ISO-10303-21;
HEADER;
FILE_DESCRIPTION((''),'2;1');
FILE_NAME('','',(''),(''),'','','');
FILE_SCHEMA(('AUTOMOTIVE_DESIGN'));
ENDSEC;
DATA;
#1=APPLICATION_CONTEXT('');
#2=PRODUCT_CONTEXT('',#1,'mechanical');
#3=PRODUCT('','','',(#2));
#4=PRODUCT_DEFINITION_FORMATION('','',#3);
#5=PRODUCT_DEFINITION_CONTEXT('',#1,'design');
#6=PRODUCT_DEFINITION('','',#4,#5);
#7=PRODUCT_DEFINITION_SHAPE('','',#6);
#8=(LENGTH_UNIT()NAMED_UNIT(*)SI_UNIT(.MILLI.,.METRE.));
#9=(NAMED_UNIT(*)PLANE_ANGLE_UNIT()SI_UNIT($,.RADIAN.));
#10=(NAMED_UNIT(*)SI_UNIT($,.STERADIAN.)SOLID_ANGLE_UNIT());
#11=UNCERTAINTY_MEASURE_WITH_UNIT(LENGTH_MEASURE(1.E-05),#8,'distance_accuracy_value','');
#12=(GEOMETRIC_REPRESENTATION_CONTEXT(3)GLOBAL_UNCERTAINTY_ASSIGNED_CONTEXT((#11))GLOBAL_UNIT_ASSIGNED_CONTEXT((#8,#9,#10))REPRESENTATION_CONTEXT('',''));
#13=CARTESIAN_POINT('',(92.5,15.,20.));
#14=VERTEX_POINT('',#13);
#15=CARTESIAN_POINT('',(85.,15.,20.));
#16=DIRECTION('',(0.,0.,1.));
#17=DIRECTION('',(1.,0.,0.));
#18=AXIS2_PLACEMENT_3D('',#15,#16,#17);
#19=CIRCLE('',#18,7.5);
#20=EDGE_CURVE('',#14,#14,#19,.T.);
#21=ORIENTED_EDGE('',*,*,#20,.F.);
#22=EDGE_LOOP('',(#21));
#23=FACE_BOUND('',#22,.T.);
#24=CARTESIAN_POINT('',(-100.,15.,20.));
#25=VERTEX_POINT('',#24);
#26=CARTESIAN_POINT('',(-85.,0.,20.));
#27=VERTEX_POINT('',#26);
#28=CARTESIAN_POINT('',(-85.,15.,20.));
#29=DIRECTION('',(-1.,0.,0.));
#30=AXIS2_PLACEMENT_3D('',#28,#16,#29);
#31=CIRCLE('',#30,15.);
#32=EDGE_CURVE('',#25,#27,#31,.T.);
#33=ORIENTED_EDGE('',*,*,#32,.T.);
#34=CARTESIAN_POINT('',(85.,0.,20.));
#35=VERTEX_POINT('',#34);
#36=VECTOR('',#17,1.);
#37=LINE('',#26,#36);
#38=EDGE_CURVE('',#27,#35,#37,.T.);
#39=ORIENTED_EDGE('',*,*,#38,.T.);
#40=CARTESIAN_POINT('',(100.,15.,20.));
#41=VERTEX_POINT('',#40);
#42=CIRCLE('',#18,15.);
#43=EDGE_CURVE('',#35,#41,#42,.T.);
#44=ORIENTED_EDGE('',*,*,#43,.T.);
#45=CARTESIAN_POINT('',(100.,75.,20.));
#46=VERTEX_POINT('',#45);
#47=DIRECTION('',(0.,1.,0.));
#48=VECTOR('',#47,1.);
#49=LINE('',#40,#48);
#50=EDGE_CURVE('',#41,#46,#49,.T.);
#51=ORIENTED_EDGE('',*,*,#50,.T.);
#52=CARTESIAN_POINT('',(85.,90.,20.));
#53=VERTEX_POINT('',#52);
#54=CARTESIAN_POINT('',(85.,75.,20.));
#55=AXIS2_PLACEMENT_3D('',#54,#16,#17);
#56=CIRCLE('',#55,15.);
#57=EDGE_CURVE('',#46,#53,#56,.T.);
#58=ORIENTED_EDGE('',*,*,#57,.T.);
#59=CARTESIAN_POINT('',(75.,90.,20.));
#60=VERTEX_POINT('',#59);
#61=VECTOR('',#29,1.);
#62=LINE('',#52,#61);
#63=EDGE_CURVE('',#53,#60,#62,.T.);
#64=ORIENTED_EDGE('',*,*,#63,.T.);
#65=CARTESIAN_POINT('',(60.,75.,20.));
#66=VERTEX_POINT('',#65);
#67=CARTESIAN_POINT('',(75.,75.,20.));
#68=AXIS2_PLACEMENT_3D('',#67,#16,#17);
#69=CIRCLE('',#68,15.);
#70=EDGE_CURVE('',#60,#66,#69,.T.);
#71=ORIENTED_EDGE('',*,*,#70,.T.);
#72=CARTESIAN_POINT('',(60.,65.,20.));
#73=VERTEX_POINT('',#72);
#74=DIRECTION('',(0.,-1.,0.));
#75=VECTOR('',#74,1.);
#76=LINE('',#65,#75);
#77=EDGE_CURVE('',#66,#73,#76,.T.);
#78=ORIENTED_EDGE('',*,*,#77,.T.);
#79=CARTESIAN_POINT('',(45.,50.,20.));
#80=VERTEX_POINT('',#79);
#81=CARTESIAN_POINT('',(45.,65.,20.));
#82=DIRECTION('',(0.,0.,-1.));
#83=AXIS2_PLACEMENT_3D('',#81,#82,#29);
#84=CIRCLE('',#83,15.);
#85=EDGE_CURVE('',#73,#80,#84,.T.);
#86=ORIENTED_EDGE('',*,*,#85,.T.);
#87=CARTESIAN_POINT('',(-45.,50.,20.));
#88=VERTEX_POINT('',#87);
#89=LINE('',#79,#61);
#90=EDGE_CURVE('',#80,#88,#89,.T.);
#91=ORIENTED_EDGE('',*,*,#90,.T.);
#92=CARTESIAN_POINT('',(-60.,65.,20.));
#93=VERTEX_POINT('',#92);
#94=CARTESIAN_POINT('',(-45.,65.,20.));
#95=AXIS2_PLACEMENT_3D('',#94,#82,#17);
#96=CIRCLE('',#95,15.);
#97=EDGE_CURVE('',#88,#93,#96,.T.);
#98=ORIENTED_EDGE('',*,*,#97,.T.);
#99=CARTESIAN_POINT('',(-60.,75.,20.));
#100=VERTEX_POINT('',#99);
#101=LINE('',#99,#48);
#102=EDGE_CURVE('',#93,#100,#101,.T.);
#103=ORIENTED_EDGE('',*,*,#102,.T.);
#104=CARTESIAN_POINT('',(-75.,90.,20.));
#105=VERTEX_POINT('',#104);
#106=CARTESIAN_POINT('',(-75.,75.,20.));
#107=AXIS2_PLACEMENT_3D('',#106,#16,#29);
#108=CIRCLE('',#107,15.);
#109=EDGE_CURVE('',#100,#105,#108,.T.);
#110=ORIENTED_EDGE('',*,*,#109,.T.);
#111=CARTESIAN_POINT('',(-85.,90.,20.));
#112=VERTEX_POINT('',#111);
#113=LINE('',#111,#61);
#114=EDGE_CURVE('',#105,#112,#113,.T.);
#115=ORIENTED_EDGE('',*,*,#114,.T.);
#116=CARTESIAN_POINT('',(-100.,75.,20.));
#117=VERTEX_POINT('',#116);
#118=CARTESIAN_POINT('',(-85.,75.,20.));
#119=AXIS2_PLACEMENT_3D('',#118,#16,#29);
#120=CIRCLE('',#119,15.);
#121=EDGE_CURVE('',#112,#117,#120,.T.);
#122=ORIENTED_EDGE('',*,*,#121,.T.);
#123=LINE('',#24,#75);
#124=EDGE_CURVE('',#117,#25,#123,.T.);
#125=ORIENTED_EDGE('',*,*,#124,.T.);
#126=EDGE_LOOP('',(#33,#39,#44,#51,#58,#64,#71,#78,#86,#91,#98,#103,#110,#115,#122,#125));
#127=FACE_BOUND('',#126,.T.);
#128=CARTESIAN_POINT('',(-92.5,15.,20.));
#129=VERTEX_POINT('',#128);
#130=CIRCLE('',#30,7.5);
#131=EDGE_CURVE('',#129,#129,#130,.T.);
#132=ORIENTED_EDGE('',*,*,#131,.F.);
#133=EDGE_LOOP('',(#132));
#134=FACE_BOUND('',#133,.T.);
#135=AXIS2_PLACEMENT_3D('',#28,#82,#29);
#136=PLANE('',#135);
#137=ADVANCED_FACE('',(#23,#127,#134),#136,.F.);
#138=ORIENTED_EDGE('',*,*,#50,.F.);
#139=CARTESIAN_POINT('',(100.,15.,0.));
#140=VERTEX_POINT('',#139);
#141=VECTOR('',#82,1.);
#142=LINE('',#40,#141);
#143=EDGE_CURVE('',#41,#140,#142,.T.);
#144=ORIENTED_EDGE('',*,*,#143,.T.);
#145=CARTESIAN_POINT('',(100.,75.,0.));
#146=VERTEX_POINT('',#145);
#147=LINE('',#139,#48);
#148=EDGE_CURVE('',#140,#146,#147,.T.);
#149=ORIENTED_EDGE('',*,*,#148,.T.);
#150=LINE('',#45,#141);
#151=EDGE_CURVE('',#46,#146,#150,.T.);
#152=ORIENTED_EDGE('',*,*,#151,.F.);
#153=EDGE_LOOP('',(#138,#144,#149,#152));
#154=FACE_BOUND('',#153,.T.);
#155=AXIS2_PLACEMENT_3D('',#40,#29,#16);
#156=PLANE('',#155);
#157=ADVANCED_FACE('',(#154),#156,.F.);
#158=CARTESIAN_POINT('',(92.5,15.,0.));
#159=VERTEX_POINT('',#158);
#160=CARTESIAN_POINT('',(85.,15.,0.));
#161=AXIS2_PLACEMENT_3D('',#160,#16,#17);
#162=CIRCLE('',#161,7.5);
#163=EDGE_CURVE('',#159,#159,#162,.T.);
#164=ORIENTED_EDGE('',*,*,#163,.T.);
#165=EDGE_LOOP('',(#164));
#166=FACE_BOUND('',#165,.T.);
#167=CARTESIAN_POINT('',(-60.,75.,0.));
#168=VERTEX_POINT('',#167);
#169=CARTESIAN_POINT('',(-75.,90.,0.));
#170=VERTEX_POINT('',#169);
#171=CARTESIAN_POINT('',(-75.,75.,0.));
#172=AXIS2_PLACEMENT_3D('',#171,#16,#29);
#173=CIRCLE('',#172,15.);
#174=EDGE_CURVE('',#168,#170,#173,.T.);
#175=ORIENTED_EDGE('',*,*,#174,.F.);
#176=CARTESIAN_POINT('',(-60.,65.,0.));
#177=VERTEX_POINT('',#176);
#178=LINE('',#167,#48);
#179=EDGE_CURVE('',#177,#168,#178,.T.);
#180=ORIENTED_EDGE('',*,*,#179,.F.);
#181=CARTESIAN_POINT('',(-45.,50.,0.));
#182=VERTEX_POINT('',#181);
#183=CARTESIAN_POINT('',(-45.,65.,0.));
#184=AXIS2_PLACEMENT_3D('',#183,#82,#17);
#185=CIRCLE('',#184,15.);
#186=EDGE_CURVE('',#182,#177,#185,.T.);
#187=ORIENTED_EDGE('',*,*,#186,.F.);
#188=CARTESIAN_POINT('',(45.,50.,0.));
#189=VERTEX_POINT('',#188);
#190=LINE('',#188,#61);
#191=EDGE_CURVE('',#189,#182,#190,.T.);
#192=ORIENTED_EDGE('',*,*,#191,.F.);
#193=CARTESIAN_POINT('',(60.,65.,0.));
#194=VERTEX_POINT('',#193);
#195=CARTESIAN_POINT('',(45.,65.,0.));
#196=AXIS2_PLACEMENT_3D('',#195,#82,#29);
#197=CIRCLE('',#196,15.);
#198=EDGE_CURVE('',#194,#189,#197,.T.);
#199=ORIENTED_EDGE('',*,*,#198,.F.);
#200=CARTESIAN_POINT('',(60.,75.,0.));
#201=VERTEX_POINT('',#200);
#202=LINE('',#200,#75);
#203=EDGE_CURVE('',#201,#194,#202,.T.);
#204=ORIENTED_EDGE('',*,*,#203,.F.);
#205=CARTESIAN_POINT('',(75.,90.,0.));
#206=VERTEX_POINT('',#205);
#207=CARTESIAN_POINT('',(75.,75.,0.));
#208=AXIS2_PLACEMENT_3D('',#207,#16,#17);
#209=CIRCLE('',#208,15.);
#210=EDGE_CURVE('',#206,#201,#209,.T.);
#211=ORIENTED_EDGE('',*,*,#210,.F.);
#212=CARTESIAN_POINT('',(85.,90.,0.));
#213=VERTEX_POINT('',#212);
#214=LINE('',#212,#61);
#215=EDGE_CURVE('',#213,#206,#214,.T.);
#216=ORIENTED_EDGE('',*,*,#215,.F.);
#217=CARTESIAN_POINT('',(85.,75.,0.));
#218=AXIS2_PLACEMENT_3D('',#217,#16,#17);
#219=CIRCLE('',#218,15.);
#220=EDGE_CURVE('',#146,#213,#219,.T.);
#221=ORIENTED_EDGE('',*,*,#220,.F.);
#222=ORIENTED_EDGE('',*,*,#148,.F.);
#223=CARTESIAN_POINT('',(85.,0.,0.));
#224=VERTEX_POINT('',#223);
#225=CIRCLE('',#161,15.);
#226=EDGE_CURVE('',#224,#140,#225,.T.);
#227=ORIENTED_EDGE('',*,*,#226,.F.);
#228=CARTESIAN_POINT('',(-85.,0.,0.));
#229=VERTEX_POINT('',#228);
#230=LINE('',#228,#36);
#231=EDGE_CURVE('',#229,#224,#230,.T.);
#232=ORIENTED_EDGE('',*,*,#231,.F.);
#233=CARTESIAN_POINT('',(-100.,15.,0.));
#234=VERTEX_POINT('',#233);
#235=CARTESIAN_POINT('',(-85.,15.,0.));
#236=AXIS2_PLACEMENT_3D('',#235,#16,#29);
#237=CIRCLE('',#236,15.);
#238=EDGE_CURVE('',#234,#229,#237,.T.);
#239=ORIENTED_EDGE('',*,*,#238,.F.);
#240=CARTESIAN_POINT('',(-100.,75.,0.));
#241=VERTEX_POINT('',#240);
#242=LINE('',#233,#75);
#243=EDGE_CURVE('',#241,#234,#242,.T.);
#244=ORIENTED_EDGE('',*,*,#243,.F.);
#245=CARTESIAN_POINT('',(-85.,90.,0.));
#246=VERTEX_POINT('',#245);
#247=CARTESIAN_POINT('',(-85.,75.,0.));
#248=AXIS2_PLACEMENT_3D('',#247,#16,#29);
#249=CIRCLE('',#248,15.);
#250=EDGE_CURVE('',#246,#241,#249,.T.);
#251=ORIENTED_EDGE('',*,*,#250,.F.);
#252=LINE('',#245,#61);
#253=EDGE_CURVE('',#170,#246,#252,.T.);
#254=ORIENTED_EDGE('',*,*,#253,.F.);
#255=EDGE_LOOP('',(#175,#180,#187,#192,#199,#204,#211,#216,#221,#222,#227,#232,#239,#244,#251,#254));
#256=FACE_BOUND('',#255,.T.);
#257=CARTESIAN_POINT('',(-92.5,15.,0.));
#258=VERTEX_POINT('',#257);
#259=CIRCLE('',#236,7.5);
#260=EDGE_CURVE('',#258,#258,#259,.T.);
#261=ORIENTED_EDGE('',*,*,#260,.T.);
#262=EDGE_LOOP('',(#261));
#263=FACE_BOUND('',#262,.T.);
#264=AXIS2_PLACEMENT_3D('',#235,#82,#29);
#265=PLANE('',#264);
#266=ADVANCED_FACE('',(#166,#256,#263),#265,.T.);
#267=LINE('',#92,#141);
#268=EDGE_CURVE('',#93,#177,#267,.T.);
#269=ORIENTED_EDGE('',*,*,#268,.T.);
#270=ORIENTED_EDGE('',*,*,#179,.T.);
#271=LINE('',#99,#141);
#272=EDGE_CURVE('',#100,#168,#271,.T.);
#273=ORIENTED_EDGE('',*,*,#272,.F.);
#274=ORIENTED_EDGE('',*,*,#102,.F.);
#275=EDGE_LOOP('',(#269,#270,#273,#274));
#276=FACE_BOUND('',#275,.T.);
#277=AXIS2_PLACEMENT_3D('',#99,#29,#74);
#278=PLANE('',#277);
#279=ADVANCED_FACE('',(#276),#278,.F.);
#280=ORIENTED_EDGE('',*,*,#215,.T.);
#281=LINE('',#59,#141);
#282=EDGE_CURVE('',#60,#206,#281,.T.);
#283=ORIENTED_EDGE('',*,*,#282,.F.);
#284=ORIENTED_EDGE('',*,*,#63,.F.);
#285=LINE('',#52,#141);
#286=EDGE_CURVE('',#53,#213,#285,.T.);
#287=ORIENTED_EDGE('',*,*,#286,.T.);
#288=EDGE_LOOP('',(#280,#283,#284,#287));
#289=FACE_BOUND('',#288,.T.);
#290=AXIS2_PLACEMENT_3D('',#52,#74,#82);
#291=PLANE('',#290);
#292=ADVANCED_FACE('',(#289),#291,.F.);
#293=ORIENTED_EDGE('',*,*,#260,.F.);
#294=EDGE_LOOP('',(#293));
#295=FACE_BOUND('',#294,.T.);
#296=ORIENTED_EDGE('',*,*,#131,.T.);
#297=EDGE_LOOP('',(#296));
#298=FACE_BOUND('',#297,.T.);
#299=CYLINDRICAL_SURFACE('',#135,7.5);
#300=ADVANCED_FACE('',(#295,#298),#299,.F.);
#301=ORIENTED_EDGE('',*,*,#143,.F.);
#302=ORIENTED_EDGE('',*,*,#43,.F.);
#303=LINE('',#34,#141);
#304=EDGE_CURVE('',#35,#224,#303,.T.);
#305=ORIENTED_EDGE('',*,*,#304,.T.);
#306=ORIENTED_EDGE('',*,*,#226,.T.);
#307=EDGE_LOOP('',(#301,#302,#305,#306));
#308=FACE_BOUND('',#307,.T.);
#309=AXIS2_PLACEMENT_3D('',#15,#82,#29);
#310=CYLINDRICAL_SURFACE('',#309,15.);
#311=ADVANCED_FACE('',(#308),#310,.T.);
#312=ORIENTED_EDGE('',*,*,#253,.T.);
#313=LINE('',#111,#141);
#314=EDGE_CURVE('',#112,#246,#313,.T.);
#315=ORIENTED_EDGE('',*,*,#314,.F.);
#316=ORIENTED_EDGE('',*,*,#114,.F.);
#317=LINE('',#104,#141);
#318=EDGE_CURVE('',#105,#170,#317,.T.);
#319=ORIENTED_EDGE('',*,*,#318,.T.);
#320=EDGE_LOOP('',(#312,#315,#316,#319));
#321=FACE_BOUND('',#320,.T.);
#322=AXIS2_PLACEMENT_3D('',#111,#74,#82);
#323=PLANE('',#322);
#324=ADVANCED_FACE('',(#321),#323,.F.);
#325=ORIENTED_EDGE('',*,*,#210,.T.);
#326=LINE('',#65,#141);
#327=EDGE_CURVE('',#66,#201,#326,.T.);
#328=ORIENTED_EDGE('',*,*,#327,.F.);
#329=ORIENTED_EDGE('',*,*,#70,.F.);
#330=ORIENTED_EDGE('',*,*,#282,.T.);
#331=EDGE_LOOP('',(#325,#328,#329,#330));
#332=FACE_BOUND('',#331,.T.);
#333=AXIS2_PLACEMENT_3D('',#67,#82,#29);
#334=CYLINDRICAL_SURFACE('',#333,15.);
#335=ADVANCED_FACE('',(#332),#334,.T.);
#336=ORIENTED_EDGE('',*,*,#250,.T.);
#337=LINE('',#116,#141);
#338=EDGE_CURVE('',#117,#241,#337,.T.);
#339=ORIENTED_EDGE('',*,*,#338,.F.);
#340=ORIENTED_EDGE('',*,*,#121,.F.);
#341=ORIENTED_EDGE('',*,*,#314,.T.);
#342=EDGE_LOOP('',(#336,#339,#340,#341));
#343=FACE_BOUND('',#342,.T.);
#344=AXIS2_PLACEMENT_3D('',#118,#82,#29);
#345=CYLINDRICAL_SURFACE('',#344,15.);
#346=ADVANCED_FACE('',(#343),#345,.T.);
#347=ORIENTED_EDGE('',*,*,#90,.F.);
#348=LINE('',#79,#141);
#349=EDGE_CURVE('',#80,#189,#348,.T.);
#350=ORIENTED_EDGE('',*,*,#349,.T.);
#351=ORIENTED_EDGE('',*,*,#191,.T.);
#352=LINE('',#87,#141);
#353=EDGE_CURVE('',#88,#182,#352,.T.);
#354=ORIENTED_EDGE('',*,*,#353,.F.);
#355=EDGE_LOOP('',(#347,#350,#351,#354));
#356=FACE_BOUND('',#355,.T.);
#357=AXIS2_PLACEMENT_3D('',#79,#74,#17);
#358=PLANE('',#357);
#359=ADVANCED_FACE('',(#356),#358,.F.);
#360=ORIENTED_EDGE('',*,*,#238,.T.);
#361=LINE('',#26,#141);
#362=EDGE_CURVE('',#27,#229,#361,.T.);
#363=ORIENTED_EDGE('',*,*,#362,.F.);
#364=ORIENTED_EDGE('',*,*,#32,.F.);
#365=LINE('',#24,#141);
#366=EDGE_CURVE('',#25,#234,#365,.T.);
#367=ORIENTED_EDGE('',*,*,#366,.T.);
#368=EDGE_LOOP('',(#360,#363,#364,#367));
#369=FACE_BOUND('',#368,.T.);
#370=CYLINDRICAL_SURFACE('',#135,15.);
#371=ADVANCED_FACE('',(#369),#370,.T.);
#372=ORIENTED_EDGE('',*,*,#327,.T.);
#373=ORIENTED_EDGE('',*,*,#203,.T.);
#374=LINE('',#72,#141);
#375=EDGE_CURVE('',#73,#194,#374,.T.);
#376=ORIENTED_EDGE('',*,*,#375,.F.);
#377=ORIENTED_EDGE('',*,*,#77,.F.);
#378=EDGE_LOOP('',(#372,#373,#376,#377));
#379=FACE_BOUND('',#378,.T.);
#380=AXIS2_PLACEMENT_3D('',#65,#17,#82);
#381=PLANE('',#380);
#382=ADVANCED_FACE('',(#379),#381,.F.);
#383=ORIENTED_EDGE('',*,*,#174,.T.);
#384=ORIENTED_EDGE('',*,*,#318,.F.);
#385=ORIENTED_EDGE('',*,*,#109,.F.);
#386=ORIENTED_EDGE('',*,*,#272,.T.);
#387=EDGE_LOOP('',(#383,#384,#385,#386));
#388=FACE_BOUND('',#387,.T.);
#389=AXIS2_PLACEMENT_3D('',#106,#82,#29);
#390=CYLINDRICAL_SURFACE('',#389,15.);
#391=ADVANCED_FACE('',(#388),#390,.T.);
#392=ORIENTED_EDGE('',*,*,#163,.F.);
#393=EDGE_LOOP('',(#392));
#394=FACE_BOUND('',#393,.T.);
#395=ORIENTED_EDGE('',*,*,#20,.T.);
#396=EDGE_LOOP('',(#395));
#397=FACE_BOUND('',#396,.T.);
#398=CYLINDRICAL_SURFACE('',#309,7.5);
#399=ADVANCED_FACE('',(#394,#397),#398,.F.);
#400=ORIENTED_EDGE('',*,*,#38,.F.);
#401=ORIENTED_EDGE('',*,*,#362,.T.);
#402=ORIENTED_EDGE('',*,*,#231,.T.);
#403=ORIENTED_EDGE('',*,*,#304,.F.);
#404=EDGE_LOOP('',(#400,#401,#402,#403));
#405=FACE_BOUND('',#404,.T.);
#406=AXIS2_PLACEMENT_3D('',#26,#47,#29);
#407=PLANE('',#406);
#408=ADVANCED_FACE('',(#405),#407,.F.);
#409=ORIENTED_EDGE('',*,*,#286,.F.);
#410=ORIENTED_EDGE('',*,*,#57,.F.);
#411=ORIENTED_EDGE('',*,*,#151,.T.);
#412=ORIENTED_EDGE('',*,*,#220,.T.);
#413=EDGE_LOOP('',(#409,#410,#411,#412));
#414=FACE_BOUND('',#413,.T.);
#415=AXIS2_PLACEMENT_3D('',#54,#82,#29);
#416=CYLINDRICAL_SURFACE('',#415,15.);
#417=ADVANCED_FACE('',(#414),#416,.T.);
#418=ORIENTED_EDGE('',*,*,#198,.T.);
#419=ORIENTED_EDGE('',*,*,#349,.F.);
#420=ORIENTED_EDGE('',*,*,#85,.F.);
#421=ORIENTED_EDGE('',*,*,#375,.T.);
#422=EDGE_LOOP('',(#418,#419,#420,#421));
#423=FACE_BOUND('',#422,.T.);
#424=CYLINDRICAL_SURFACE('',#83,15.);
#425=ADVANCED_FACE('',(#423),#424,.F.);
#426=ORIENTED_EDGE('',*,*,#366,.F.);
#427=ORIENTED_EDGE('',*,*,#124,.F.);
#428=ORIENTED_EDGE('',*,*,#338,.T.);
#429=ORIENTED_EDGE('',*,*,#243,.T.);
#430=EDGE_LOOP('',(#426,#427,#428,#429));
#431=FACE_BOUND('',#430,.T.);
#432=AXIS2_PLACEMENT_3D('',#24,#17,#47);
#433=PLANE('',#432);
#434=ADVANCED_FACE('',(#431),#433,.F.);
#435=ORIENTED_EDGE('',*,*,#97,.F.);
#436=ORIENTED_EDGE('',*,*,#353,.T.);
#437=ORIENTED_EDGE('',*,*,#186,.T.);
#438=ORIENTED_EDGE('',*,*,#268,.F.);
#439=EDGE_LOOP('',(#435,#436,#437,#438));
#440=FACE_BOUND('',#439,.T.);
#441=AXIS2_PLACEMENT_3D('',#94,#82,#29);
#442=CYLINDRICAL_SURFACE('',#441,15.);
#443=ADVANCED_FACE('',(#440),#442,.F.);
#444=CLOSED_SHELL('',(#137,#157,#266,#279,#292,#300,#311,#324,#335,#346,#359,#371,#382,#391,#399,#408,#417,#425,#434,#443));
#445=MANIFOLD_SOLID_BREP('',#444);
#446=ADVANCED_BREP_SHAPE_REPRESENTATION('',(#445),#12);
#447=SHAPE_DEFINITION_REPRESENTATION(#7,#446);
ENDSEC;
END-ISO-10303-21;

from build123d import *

# Parameters (mm, degrees)
SKETCH1_R           = 7.5
BOSS_EXTRUDE1_DEPTH = 20


with BuildPart() as part:
    # Sketch1 → Boss-Extrude1 (new body)
    with BuildSketch(Plane.XY):
        with BuildLine():
            Line((-85, 0), (85, 0))
            ThreePointArc((85, 0), (95.606601718, 4.393398282), (100, 15))
            Line((100, 15), (100, 75))
            ThreePointArc((100, 75), (95.606601718, 85.606601718), (85, 90))
            Line((85, 90), (75, 90))
            ThreePointArc((75, 90), (64.393398282, 85.606601718), (60, 75))
            Line((60, 75), (60, 65))
            ThreePointArc((60, 65), (55.606601718, 54.393398282), (45, 50))
            Line((45, 50), (-45, 50))
            ThreePointArc((-45, 50), (-55.606601718, 54.393398282), (-60, 65))
            Line((-60, 65), (-60, 75))
            ThreePointArc((-60, 75), (-64.393398282, 85.606601718), (-75, 90))
            Line((-75, 90), (-85, 90))
            ThreePointArc((-85, 90), (-95.606601718, 85.606601718), (-100, 75))
            Line((-100, 75), (-100, 15))
            ThreePointArc((-100, 15), (-95.606601718, 4.393398282), (-85, 0))
        make_face()
        with Locations((85, 15)):
            Circle(SKETCH1_R, mode=Mode.SUBTRACT)
        with Locations(Location((-85, 15, 0), (0, 0, 180))):
            Circle(SKETCH1_R, mode=Mode.SUBTRACT)
    extrude(amount=BOSS_EXTRUDE1_DEPTH)


solid = part.part
